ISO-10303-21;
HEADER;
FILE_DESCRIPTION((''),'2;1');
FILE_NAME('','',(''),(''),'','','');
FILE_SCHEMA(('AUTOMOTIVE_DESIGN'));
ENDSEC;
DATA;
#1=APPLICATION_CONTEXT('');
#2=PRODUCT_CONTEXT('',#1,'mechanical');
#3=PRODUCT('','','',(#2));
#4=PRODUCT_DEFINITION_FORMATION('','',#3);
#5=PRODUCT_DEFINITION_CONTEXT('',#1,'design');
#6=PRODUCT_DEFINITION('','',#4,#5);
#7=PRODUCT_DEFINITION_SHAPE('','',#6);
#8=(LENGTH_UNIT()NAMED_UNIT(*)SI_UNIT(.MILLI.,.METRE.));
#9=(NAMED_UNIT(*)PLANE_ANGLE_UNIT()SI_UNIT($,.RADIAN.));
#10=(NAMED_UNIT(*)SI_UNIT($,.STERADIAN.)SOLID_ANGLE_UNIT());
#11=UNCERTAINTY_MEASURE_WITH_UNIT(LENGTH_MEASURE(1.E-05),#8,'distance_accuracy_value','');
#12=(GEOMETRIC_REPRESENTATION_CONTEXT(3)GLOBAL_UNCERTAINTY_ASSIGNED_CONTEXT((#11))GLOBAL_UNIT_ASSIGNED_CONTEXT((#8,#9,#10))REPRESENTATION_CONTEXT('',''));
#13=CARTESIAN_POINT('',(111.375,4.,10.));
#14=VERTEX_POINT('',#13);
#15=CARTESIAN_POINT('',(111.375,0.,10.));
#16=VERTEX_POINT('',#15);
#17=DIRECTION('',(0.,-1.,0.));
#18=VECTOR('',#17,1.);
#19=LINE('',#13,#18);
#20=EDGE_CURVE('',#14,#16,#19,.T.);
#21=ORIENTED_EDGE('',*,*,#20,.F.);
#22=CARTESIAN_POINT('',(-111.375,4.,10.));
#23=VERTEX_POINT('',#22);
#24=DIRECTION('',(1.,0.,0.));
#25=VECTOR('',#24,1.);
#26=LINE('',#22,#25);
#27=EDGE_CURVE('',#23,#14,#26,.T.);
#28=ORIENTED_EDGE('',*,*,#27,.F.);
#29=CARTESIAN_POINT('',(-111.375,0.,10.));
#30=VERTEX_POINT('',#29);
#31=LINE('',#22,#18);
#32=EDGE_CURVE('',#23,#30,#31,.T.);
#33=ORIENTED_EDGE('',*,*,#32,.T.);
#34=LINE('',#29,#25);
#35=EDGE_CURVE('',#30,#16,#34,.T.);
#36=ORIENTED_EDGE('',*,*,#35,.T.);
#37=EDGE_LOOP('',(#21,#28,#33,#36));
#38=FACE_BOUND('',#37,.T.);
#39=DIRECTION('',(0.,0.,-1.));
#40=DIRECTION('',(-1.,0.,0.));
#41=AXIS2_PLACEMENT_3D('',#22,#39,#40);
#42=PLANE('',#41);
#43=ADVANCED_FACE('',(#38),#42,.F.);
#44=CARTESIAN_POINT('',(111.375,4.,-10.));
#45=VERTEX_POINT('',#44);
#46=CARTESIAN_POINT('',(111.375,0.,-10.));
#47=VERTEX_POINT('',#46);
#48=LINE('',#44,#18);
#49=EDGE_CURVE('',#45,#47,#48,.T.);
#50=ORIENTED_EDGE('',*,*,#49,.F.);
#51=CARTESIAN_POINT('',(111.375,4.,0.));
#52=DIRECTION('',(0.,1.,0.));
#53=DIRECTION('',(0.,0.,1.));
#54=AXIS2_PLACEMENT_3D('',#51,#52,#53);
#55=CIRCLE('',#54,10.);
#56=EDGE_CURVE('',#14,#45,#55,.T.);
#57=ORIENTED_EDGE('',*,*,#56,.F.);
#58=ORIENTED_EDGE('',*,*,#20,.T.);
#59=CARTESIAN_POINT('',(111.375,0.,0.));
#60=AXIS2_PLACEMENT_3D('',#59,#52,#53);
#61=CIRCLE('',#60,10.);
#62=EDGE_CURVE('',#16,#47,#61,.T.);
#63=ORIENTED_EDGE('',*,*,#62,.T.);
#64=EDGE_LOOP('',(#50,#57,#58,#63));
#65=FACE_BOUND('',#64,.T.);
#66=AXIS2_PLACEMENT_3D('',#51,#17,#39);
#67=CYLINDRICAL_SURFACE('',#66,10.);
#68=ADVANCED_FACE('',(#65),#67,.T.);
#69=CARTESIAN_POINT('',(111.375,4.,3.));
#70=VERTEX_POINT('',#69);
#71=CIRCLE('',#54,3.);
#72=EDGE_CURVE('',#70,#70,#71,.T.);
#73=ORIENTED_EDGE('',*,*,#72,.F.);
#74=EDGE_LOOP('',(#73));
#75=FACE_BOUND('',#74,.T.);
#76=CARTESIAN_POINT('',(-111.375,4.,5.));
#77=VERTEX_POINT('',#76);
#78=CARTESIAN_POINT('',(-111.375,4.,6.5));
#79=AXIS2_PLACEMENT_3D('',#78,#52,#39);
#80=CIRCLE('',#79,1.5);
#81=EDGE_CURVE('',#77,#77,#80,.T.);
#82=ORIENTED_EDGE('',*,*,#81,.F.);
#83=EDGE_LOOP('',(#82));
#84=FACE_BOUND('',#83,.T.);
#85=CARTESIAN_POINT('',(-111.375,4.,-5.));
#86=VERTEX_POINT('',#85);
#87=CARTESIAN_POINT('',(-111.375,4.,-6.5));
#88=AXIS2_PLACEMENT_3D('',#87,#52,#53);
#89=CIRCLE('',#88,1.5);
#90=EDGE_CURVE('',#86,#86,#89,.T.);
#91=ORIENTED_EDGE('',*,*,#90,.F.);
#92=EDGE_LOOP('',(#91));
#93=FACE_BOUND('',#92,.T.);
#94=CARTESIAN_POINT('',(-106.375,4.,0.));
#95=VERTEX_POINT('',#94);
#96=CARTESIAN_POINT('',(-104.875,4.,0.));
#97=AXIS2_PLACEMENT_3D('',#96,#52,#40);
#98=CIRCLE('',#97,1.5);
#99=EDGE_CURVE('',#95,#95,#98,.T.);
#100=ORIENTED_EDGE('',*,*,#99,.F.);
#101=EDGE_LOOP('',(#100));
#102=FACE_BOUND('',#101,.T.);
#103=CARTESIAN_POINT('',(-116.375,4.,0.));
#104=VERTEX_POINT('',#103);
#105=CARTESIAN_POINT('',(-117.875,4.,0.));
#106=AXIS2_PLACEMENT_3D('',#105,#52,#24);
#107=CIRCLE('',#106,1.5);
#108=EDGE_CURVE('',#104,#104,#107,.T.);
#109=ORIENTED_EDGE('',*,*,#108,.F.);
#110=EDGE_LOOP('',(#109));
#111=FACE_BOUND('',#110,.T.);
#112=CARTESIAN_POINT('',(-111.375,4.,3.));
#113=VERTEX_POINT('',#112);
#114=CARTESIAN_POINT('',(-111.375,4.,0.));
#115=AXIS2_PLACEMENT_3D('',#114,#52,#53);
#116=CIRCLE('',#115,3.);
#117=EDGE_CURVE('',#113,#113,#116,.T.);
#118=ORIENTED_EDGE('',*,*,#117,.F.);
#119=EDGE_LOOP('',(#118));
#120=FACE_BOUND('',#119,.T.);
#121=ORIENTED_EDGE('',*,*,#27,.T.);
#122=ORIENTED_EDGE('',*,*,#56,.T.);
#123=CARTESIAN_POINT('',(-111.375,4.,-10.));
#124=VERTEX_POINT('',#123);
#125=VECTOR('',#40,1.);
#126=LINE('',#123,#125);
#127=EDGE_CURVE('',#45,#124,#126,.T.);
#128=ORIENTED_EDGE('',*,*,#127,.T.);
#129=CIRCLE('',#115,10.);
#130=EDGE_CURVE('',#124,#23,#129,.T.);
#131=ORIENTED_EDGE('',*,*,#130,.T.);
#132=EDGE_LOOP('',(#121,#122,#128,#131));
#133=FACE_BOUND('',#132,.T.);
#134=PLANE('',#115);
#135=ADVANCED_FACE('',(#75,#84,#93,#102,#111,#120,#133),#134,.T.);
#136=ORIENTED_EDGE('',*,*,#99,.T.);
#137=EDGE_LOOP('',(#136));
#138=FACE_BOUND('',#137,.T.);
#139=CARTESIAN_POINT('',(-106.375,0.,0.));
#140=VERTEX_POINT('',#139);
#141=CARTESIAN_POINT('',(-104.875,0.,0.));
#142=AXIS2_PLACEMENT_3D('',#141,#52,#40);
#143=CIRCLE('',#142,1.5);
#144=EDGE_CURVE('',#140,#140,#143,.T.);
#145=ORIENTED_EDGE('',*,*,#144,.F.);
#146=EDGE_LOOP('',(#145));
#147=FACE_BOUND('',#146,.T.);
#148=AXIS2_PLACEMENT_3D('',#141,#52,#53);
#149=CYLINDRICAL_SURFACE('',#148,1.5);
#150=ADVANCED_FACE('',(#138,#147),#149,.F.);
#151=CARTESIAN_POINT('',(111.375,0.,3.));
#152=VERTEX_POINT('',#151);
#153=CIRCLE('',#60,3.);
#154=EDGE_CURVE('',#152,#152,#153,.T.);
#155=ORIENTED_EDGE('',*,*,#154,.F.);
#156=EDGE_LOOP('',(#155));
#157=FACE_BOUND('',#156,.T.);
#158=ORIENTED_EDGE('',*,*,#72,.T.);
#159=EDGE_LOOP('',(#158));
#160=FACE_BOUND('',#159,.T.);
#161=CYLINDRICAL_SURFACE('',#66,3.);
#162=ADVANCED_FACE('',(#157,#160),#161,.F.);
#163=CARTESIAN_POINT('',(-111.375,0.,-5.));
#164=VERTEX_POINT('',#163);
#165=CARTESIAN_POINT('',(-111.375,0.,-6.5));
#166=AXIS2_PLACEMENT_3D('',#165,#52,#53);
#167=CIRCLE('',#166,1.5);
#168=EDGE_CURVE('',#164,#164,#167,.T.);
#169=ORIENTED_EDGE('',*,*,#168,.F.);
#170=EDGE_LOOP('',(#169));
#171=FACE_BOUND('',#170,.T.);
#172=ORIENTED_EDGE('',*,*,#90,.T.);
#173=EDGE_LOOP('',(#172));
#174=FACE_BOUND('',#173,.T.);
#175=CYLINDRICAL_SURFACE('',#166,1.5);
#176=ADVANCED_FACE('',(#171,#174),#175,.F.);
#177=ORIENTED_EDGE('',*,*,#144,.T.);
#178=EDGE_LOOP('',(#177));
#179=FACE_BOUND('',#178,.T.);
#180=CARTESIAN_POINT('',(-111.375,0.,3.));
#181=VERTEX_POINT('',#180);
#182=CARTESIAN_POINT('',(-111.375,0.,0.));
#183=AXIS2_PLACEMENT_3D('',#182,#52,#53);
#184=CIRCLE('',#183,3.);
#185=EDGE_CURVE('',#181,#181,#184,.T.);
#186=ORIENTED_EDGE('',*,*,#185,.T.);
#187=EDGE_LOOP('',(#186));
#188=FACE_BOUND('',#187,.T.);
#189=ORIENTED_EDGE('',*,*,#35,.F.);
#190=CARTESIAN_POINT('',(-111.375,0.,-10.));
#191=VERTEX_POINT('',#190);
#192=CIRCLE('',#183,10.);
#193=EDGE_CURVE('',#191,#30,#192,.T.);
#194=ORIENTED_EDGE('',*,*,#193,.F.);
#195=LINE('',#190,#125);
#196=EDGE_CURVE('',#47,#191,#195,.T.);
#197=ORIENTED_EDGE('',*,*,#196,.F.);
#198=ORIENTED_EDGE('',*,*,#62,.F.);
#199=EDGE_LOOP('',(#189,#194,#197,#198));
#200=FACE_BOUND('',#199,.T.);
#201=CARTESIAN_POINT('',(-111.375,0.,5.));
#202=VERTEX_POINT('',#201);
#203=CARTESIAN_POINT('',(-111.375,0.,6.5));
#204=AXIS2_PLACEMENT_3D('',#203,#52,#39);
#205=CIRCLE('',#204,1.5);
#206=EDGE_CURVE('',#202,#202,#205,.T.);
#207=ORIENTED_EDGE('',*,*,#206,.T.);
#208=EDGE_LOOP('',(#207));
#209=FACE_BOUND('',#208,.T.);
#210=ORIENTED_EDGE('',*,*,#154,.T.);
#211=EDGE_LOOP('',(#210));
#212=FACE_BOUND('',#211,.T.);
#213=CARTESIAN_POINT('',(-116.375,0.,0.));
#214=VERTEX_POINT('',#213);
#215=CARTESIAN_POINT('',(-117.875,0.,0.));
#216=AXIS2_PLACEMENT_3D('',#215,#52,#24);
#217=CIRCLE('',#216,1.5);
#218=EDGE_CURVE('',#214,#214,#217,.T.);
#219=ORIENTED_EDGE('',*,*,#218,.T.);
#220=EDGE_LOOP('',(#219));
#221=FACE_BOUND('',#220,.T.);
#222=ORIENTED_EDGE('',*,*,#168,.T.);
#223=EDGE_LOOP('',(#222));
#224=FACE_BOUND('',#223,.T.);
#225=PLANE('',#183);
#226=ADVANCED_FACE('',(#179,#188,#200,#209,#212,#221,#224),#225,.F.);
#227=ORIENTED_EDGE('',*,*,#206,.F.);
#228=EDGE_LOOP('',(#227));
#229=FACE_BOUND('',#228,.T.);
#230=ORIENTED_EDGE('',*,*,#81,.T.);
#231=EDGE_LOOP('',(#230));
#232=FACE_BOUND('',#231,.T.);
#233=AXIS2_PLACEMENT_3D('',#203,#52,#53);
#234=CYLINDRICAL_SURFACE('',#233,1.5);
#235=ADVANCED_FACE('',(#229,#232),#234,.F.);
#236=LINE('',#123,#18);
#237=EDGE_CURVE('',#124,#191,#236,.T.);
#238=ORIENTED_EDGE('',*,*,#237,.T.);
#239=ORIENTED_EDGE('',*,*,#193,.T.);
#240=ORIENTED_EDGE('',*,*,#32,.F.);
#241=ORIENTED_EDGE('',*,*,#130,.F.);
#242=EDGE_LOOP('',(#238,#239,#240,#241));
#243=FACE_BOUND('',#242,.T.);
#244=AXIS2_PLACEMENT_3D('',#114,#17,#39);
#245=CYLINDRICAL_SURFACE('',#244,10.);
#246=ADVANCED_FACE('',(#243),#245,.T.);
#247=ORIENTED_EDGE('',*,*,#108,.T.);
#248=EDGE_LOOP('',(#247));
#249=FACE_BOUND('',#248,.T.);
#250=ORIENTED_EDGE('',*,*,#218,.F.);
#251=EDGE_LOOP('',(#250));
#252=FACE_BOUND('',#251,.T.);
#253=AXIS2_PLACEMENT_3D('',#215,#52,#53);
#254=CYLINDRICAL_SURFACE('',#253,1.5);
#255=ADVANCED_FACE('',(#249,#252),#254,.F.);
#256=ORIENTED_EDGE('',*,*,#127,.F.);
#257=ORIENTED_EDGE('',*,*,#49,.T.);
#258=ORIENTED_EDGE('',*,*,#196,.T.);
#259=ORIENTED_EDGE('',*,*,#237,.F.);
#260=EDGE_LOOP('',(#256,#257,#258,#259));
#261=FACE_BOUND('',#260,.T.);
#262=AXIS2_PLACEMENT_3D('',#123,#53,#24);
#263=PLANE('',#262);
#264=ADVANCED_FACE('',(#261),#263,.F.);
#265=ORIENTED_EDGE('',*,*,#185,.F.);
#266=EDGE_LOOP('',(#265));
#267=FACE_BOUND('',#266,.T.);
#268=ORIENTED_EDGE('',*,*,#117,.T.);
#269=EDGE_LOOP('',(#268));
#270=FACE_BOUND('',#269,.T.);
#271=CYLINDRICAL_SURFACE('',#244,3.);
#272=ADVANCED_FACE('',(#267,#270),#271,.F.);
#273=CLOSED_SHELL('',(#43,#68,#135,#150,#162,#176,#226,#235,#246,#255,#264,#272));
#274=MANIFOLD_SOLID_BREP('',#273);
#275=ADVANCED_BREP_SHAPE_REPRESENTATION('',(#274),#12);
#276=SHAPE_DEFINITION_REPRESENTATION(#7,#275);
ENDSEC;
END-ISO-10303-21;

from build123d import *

# Parameters (mm, degrees)
SKETCH_1_R               = 3
EXTRUDE_1_DEPTH          = 4
SKETCH_2_R               = 1.5
CUT_EXTRUDE_1_DEPTH      = 4
PATTERN_CIRCULAR_1_COUNT = 4


with BuildPart() as part:
    # 草图1 → 凸台-拉伸1 (new body)
    with BuildSketch(Plane(origin=(0, 0, 0), x_dir=(1, 0, 0), z_dir=(0, 1, 0))):
        with BuildLine():
            Line((-111.375, 10), (111.375, 10))
            ThreePointArc((111.375, 10), (121.375, 0), (111.375, -10))
            Line((111.375, -10), (-111.375, -10))
            ThreePointArc((-111.375, -10), (-121.375, 0), (-111.375, 10))
        make_face()
        with Locations(Location((-111.375, 0, 0), (0, 0, 270))):
            Circle(SKETCH_1_R, mode=Mode.SUBTRACT)
        with Locations(Location((111.375, 0, 0), (0, 0, 270))):
            Circle(SKETCH_1_R, mode=Mode.SUBTRACT)
    extrude(amount=EXTRUDE_1_DEPTH)

    # 草图2 → 切除-拉伸1 (cut)
    with BuildSketch(Plane(origin=(0, 4, 0), x_dir=(1, 0, 0), z_dir=(0, 1, 0))):
        with Locations(Location((-111.375, 6.5, 0), (0, 0, 270))):
            Circle(SKETCH_2_R)
    cut_extrude_1 = extrude(amount=-CUT_EXTRUDE_1_DEPTH, mode=Mode.SUBTRACT)

    # 阵列(圆周)1: 切除-拉伸1 ×4 about axis
    pattern_circular_1_axis = Axis((-111.375, 0, 0), (0, 1, 0))
    for i in range(1, PATTERN_CIRCULAR_1_COUNT):
        add(cut_extrude_1.rotate(pattern_circular_1_axis, i * 360 / PATTERN_CIRCULAR_1_COUNT), mode=Mode.SUBTRACT)


solid = part.part
